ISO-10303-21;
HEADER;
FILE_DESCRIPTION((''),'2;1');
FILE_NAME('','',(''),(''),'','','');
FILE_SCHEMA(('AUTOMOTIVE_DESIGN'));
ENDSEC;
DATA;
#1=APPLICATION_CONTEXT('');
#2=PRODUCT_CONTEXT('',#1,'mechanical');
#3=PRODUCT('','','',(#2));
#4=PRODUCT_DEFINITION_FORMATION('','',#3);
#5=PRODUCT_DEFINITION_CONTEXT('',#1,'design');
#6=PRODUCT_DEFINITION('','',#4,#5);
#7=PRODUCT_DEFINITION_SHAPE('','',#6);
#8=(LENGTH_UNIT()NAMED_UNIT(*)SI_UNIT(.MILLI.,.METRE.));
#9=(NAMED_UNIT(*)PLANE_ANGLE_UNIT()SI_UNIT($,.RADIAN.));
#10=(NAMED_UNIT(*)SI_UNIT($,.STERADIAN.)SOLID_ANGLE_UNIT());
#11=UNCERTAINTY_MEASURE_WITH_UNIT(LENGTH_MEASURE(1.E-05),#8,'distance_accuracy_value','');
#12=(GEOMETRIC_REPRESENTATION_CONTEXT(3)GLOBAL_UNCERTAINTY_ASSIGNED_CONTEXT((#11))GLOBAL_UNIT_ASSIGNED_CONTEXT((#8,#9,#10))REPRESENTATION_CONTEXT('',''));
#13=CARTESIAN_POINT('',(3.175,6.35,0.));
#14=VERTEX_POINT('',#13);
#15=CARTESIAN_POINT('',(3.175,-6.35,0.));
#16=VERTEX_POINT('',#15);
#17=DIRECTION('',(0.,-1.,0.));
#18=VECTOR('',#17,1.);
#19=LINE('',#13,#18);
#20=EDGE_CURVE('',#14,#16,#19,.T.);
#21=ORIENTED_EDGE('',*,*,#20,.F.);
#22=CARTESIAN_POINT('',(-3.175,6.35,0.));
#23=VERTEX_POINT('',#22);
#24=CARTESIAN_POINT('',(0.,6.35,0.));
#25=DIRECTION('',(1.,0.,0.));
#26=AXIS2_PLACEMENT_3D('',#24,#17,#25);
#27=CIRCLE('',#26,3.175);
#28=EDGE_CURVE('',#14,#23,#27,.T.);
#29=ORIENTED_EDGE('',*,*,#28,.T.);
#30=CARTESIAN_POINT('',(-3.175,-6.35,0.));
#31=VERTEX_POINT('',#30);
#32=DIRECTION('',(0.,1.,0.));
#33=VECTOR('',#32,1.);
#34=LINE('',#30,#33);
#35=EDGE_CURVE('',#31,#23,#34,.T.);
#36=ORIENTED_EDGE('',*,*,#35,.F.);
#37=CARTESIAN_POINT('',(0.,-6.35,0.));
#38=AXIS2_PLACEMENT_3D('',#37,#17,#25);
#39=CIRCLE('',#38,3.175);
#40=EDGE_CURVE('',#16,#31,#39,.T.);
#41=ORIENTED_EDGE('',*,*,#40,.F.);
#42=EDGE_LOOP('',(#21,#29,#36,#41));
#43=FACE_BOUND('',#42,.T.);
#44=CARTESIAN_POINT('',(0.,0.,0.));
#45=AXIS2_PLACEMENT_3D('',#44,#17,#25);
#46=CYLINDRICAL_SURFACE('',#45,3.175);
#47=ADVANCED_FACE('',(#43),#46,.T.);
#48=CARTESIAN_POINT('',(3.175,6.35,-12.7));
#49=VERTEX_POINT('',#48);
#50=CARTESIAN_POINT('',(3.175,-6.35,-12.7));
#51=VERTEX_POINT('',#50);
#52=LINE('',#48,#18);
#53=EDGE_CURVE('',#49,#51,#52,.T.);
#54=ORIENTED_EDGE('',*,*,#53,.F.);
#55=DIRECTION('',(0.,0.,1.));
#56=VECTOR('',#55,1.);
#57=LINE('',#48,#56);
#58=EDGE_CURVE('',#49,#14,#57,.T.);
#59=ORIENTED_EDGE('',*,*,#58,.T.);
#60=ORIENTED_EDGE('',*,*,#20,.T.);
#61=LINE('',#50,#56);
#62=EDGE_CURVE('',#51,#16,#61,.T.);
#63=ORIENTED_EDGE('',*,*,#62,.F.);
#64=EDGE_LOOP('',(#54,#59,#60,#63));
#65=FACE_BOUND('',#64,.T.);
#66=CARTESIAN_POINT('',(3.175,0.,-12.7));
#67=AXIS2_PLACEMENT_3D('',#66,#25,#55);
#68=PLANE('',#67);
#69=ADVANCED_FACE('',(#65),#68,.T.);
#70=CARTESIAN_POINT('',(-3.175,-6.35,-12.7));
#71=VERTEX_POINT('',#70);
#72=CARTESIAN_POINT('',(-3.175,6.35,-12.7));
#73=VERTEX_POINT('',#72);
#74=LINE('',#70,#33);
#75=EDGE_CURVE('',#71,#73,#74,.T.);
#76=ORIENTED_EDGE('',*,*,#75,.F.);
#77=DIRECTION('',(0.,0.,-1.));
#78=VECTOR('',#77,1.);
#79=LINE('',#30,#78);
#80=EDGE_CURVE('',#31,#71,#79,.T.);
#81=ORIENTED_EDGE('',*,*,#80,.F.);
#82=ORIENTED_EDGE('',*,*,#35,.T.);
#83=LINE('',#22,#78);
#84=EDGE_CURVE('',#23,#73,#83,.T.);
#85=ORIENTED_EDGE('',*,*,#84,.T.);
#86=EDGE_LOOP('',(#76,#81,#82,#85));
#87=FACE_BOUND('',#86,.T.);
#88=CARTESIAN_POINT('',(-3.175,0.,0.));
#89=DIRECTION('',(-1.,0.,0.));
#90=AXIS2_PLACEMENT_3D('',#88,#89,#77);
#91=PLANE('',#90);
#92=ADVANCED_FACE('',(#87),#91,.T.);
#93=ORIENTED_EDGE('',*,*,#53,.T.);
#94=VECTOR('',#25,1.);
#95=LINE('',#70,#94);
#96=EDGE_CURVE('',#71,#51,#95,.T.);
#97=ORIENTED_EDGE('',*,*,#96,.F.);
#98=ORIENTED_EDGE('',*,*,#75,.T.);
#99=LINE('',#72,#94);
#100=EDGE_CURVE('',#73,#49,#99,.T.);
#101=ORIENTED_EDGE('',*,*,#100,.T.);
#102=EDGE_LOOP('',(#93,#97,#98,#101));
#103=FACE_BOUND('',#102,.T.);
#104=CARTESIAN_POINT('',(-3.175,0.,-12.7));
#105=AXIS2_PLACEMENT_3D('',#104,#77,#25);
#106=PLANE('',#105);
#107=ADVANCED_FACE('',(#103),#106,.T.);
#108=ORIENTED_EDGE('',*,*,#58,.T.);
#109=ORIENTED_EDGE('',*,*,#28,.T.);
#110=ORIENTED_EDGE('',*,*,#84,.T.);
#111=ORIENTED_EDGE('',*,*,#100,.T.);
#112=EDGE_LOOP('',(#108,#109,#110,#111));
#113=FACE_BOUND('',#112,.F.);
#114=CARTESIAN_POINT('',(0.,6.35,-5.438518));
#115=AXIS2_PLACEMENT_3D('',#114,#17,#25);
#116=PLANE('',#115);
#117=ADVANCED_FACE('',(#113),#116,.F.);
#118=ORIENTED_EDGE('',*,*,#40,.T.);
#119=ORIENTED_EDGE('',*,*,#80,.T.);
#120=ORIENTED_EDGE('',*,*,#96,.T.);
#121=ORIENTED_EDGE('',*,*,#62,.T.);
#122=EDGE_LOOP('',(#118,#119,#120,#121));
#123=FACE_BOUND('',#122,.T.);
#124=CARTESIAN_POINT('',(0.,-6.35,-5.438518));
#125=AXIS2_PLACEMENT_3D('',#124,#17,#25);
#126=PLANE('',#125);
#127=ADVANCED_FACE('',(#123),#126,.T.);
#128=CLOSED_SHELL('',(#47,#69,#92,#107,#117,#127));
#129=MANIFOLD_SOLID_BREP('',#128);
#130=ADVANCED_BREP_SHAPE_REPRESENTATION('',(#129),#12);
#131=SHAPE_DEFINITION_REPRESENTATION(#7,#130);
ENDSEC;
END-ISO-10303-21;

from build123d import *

# Parameters (mm, degrees)
F1_DEPTH      = 6.35
F1_DEPTH_BACK = 6.35


with BuildPart() as f1:
    # F0 (on Front) → F1 (new body, two sides)
    with BuildSketch(Plane.XZ) as f1_sk:
        with BuildLine():
            Line((-3.175, -12.7), (3.175, -12.7))
            Line((3.175, -12.7), (3.175, 0))
            ThreePointArc((3.175, 0), (0, 3.175), (-3.175, 0))
            Line((-3.175, 0), (-3.175, -12.7))
        make_face()
    extrude(amount=F1_DEPTH)
    extrude(f1_sk.sketch, amount=-F1_DEPTH_BACK)


solid = f1.part
